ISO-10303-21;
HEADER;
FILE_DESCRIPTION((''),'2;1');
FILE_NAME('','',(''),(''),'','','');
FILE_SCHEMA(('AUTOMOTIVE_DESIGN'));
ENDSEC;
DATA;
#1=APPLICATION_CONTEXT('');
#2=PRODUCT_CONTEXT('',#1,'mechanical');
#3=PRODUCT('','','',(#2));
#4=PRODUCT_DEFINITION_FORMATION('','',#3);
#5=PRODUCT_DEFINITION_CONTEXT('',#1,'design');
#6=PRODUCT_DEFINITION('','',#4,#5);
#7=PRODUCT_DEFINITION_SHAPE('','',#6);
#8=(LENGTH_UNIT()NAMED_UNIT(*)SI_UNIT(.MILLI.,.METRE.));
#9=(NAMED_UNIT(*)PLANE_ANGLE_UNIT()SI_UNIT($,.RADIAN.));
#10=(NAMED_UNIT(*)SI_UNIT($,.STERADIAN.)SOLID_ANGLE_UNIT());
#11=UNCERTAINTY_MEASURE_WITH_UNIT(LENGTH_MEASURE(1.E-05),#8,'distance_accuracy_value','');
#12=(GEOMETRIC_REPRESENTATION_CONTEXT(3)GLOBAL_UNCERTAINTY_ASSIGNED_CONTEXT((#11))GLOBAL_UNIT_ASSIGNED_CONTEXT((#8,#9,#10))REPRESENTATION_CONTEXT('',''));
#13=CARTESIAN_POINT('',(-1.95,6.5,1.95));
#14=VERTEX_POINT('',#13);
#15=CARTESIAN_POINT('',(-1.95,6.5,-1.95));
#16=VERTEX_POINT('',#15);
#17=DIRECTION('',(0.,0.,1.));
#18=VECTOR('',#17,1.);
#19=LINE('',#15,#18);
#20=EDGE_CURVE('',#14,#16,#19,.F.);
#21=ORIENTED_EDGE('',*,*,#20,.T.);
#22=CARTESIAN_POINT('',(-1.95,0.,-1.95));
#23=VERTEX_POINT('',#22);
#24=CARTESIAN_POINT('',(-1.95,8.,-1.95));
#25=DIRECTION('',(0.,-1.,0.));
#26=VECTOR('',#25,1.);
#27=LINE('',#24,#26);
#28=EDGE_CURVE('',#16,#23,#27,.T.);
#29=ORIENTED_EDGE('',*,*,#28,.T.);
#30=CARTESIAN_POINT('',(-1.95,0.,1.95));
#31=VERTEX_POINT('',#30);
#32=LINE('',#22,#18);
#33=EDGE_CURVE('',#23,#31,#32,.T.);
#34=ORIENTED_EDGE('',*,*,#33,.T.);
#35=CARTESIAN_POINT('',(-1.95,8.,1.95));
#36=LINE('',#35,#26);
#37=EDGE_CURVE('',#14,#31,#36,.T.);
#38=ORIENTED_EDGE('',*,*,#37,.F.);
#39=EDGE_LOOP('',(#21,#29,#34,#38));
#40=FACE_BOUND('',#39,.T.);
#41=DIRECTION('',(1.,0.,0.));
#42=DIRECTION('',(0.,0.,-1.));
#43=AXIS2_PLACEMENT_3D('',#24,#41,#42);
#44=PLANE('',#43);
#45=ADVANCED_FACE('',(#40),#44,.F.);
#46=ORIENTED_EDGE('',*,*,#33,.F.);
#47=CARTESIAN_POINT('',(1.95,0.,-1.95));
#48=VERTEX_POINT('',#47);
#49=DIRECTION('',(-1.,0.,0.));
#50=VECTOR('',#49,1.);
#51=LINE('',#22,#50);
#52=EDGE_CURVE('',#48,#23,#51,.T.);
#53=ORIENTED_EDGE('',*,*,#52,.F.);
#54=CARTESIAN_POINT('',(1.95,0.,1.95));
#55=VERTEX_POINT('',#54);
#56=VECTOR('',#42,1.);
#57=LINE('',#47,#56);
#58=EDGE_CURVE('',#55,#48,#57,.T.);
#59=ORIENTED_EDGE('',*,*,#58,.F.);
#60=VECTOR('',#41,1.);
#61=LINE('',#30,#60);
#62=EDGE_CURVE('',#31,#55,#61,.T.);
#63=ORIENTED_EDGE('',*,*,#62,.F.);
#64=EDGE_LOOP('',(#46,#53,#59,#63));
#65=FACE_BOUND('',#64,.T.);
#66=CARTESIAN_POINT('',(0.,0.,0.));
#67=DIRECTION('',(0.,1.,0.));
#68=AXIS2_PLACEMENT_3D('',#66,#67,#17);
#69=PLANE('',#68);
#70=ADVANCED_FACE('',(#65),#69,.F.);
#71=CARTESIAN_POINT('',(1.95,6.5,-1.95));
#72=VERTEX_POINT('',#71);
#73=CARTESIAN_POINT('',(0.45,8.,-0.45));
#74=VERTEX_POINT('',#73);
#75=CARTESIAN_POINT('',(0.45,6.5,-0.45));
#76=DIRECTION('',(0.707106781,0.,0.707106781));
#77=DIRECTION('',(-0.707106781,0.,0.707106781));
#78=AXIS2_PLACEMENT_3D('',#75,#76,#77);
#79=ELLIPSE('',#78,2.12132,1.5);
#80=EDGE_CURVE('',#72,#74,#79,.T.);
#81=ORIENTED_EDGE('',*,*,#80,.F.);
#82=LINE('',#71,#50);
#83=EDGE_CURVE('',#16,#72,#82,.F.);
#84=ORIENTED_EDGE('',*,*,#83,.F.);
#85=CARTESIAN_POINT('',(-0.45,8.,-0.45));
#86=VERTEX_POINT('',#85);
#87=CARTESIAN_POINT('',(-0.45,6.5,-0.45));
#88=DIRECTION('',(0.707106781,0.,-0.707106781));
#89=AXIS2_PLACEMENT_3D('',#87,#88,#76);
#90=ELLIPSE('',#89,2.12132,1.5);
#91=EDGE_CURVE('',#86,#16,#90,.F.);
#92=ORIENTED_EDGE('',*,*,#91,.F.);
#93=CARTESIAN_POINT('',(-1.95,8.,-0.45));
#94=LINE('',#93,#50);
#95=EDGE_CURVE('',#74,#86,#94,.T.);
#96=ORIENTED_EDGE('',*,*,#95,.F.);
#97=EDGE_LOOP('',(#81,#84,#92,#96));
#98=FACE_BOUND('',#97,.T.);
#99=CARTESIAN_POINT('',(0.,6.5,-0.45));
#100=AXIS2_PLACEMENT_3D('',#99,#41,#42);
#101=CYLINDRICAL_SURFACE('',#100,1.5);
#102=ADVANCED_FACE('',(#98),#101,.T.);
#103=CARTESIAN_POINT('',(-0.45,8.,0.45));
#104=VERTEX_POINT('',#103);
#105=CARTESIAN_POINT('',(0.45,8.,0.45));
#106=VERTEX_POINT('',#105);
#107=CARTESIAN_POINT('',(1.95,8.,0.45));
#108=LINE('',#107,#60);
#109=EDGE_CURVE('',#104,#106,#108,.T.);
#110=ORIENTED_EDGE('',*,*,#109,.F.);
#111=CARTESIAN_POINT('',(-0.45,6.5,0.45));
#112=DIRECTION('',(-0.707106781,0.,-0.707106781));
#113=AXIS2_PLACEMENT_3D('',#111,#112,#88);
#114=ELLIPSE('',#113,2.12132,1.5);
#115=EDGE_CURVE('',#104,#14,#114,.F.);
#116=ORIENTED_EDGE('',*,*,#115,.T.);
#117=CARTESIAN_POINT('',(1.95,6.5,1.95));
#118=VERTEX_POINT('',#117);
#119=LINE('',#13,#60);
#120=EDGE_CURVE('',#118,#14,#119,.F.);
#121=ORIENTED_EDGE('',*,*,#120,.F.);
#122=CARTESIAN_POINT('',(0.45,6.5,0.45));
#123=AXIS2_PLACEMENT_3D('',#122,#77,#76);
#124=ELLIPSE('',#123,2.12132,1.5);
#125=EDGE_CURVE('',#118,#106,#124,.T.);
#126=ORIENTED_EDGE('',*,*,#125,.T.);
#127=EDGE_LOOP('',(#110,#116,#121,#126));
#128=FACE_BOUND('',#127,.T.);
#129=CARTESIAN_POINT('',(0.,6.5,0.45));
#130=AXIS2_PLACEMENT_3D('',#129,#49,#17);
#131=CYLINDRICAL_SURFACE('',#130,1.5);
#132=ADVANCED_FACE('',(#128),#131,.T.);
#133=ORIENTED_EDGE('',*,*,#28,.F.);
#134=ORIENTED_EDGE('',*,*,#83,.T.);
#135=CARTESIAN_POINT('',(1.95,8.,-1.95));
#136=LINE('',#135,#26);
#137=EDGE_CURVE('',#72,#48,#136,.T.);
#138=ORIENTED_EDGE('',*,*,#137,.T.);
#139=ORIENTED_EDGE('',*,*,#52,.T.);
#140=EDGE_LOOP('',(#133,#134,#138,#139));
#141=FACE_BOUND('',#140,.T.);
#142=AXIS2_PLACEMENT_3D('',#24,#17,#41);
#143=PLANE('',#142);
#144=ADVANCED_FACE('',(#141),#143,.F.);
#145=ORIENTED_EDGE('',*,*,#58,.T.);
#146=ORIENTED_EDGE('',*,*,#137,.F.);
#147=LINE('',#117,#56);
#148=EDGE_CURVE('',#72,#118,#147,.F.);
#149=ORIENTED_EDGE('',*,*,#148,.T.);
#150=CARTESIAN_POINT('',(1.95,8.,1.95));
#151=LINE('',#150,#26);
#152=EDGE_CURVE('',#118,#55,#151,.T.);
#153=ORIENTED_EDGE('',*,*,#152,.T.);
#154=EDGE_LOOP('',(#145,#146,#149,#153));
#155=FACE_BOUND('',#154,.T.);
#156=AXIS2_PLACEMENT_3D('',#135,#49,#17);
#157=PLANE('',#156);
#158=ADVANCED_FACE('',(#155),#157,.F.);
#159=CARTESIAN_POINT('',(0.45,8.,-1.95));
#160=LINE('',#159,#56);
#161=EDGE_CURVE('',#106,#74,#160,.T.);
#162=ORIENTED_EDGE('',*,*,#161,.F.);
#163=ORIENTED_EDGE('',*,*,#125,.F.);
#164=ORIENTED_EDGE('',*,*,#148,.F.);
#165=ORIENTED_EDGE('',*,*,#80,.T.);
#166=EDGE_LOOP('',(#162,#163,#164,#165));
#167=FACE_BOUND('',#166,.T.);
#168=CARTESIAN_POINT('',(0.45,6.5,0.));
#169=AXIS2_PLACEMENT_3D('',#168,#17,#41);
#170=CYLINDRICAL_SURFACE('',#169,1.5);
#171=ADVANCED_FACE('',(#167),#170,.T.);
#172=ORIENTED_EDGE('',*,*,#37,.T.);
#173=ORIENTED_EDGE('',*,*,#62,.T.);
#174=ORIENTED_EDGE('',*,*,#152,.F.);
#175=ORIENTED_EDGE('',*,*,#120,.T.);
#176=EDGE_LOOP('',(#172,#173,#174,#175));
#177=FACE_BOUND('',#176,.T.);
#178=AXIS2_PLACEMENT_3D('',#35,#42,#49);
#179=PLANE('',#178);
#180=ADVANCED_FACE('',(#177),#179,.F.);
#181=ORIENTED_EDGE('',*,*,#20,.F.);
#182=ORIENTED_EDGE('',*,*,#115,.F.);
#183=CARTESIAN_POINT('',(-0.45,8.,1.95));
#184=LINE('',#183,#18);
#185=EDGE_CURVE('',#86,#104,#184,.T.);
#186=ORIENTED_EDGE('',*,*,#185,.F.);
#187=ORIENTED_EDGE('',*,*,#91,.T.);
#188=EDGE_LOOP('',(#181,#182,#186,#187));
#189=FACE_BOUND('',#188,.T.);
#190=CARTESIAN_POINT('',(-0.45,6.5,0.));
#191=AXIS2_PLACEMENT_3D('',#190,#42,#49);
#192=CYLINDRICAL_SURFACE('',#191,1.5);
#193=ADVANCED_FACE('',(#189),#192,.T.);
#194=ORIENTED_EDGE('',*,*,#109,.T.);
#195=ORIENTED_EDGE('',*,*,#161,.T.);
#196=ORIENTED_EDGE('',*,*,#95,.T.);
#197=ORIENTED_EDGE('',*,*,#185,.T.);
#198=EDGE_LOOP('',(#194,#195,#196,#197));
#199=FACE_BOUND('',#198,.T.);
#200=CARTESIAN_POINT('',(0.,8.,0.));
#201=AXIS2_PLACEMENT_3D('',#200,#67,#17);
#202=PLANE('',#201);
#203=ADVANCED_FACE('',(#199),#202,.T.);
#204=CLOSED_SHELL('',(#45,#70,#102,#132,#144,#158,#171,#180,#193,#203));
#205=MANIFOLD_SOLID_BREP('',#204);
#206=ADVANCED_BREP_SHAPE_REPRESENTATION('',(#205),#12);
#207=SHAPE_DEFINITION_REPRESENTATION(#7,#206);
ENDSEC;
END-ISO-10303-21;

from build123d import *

# Parameters (mm, degrees)
SKETCH1_W           = 3.9
SKETCH1_H           = 3.9
BOSS_EXTRUDE1_DEPTH = 8
FILLET1_R           = 1.5


with BuildPart() as part:
    # Sketch1 → Boss-Extrude1 (new body)
    with BuildSketch(Plane(origin=(0, 0, 0), x_dir=(1, 0, 0), z_dir=(0, 1, 0))):
        Rectangle(SKETCH1_W, SKETCH1_H)
    extrude(amount=BOSS_EXTRUDE1_DEPTH)

    # Fillet1
    fillet1_edges = [part.edges().sort_by_distance(p)[0] for p in [
        (-1.95, 8, 0),
        (0, 8, 1.95),
        (1.95, 8, 0),
        (0, 8, -1.95),
    ]]
    fillet(fillet1_edges, radius=FILLET1_R)


solid = part.part
